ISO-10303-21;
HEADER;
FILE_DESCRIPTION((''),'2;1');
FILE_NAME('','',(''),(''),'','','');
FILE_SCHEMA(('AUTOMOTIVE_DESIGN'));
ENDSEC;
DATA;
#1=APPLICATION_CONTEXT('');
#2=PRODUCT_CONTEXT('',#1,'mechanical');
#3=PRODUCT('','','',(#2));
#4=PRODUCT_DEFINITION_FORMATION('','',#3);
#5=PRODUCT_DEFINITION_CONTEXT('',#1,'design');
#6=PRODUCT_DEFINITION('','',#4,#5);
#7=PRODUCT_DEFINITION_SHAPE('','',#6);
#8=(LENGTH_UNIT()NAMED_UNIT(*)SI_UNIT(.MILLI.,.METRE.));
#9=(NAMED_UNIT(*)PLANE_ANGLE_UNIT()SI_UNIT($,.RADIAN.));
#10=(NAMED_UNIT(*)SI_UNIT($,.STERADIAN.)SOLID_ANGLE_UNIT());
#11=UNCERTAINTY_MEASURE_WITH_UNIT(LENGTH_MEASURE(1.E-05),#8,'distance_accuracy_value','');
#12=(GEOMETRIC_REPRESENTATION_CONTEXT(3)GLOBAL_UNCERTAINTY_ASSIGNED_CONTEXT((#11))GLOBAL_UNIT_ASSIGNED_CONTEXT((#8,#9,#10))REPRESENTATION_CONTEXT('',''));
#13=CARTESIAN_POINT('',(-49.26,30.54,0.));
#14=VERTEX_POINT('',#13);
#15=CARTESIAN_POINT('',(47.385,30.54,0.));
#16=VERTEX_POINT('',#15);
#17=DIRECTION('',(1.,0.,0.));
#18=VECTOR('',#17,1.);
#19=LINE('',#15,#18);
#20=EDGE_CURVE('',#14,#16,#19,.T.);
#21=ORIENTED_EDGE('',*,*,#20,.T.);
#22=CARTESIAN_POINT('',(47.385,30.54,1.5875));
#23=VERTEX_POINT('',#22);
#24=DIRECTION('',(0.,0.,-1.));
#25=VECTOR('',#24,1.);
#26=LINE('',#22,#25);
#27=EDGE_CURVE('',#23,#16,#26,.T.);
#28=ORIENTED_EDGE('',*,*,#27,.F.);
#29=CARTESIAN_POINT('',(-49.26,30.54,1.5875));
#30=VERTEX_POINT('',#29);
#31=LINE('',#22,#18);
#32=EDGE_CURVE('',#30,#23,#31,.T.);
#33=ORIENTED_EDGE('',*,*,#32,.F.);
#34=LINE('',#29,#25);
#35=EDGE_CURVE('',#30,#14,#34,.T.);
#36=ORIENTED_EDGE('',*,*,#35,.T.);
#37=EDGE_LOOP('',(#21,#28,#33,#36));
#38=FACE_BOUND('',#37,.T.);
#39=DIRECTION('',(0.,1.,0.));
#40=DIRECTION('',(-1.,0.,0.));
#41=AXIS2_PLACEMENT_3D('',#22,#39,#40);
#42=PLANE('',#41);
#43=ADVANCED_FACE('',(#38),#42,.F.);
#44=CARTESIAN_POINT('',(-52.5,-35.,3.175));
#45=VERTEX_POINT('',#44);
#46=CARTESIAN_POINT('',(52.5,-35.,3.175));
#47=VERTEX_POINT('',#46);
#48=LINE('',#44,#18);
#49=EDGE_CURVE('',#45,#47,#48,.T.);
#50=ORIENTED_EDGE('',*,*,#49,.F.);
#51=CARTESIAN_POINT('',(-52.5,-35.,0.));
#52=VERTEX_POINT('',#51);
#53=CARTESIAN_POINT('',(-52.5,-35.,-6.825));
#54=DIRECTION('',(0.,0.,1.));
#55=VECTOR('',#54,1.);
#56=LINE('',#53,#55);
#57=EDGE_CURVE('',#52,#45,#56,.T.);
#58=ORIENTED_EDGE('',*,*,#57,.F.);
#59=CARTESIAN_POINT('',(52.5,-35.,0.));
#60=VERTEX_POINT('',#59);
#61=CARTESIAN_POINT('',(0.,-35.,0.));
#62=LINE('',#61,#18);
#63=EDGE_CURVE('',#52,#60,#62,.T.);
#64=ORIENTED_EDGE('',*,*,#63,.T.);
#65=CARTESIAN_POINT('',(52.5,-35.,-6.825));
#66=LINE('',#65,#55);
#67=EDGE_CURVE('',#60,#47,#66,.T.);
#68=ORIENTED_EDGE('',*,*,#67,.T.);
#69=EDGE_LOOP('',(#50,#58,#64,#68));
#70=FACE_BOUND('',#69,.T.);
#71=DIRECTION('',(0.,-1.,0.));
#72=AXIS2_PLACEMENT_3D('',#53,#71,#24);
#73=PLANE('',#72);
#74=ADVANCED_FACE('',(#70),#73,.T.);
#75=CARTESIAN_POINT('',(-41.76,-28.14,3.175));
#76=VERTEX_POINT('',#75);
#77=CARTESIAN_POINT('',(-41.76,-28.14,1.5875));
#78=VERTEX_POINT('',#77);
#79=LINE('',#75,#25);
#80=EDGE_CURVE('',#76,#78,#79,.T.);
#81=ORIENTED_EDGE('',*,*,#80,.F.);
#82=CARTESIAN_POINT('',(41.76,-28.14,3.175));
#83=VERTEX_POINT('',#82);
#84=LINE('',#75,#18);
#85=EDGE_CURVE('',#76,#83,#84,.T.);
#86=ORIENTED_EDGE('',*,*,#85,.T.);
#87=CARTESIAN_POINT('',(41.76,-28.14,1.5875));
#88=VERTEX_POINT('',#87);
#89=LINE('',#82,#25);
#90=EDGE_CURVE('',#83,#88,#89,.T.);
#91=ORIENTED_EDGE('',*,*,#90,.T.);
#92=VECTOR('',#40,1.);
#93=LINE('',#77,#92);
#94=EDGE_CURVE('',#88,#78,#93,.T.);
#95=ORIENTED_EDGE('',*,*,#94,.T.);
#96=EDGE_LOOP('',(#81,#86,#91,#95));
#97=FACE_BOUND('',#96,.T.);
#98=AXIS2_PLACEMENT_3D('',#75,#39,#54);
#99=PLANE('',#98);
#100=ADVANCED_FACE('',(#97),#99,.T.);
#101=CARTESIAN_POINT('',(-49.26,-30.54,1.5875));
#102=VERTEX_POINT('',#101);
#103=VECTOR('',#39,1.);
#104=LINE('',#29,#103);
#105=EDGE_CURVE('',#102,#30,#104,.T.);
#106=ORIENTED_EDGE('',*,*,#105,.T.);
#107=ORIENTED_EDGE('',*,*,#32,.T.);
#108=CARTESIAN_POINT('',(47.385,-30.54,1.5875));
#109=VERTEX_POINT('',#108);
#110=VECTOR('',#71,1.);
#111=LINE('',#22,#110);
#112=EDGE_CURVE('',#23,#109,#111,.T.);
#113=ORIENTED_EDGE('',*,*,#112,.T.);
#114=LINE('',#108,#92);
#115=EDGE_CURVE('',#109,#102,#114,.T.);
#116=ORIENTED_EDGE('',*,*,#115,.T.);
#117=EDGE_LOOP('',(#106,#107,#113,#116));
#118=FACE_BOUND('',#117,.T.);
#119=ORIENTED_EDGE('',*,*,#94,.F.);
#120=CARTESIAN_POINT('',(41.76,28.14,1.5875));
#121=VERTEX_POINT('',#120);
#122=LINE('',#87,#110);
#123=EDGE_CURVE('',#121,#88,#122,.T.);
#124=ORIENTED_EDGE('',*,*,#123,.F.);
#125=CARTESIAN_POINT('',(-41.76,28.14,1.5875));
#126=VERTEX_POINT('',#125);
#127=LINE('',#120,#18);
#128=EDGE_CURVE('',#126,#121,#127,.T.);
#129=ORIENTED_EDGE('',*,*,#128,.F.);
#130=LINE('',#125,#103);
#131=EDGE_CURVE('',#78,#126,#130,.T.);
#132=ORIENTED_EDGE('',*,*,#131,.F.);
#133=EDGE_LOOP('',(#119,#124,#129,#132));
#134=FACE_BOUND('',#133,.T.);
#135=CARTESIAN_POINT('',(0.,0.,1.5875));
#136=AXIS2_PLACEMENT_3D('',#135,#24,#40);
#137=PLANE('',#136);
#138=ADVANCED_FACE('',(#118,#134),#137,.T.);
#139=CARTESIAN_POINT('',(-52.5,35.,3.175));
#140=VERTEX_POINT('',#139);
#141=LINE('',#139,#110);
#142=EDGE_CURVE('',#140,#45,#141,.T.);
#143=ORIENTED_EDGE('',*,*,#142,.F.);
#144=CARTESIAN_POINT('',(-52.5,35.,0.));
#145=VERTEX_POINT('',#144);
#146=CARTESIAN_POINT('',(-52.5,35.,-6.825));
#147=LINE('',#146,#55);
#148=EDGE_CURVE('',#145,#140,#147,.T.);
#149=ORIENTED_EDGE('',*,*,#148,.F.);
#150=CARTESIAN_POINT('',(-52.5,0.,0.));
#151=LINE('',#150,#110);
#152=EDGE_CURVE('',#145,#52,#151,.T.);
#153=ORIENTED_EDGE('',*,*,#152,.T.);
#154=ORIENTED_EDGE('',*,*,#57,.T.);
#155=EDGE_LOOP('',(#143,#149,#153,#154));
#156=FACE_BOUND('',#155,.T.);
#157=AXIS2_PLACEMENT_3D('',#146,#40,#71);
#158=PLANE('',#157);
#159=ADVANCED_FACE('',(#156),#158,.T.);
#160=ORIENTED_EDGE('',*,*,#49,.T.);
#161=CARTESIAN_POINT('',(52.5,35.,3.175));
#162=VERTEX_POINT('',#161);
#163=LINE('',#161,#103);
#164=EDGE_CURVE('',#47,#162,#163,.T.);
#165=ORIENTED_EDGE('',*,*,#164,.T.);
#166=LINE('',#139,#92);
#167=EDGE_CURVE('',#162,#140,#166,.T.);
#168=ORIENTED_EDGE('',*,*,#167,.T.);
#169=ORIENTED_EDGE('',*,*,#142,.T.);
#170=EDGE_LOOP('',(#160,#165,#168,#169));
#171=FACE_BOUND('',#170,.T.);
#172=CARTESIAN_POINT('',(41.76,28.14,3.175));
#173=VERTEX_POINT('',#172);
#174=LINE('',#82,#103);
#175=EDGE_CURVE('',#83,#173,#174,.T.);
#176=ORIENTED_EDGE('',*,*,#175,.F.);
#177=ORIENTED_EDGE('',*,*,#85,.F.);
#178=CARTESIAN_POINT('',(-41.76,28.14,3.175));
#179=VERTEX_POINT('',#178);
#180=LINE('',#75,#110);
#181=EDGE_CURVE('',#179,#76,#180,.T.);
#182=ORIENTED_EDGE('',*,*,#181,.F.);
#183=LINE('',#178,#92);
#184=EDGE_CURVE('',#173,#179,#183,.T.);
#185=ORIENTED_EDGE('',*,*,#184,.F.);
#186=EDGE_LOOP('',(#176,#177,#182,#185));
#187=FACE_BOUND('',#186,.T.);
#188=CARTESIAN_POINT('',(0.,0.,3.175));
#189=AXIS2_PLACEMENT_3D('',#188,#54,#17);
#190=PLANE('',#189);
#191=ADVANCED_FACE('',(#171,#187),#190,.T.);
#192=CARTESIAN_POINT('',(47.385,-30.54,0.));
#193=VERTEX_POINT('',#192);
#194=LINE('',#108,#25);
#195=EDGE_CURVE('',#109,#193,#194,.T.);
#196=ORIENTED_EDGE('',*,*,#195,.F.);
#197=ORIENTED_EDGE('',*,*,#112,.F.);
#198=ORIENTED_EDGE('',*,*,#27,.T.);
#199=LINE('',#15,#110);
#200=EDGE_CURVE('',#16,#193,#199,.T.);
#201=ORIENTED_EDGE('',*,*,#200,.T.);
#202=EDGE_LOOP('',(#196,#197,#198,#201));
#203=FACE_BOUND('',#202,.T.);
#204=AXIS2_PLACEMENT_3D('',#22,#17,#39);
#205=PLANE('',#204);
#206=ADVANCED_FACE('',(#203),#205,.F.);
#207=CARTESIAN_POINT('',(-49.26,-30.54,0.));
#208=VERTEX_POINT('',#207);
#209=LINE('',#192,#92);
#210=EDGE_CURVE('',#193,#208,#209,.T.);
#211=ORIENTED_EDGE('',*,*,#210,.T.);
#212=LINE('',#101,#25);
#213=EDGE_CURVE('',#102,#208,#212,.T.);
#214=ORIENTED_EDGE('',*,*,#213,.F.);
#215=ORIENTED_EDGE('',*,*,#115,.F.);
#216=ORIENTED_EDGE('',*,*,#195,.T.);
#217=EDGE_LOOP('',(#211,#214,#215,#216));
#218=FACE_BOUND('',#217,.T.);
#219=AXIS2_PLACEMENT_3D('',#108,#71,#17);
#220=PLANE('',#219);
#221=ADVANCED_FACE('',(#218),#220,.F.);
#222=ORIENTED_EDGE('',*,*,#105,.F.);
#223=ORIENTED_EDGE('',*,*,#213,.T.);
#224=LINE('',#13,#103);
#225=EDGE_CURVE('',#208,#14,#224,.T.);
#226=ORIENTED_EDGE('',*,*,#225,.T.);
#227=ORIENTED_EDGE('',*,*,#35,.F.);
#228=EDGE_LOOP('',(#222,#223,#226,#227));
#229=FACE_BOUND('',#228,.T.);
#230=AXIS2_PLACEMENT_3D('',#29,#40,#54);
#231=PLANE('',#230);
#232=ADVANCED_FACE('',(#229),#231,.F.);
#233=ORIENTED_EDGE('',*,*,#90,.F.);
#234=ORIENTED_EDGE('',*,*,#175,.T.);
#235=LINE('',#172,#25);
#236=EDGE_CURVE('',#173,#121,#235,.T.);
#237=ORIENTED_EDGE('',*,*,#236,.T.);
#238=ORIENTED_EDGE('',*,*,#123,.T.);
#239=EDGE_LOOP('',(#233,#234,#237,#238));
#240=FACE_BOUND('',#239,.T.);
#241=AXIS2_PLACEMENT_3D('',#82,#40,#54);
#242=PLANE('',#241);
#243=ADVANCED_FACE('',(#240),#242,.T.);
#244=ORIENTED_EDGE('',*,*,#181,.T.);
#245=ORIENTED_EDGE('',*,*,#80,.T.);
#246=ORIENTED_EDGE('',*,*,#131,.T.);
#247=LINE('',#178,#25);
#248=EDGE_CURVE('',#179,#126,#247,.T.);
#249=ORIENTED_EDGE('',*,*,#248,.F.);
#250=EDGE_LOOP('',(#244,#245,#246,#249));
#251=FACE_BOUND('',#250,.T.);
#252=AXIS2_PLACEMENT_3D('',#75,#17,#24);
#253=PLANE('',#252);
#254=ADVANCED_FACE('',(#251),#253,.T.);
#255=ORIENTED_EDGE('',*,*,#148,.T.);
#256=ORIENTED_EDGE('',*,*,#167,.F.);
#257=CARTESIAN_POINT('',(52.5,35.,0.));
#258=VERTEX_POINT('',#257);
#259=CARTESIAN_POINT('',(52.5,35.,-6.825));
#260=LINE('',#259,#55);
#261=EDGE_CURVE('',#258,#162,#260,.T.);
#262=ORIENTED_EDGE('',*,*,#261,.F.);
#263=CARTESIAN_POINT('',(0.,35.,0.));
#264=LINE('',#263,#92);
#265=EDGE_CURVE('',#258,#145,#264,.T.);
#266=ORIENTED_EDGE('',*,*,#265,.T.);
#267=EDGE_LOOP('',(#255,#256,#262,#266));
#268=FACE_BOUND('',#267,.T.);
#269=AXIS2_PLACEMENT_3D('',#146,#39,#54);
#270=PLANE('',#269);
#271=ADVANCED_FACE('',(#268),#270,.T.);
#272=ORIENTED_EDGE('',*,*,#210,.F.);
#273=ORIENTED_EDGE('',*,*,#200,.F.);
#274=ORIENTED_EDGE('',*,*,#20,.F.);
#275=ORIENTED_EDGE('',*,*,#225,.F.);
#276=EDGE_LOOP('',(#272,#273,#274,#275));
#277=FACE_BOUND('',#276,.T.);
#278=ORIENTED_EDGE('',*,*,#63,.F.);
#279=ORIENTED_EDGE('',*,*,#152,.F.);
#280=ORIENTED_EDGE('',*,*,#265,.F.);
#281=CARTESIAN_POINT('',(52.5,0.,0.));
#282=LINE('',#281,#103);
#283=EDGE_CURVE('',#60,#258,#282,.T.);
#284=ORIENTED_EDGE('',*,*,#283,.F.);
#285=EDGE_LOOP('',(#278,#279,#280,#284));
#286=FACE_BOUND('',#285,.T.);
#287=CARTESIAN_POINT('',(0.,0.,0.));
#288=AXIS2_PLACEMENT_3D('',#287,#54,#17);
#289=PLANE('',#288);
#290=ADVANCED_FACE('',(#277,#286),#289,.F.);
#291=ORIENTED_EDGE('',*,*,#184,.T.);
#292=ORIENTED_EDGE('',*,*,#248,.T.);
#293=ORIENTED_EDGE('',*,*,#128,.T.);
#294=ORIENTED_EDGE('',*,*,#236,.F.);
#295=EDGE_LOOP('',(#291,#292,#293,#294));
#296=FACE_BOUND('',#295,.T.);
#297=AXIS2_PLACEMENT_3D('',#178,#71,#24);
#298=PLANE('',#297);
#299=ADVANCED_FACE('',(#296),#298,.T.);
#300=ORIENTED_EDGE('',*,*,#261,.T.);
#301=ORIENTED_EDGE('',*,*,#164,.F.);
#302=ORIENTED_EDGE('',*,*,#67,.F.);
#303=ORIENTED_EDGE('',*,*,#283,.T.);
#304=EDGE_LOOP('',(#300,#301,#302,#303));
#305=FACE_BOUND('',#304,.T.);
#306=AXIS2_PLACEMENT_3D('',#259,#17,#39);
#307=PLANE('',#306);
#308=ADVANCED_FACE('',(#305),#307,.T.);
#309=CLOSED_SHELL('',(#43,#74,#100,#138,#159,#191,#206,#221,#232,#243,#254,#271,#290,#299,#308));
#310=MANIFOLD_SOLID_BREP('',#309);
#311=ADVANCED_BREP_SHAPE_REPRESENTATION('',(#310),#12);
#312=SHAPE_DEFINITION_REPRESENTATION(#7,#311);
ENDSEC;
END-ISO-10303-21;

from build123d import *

# Parameters (mm, degrees)
SKETCH1_W           = 113.52
SKETCH1_H           = 111.28
SKETCH1_R           = 8.5
SKETCH1_W_2         = 6
SKETCH1_H_2         = 5.8
SKETCH1_W_3         = 83.52
SKETCH1_H_3         = 56.28
BOSS_EXTRUDE1_DEPTH = 3.175
SKETCH3_W           = 96.645
SKETCH3_H           = 61.08
SKETCH3_W_2         = 83.52
SKETCH3_H_2         = 56.28
CUT_EXTRUDE1_DEPTH  = 1.5875
SKETCH4_W           = 113.52
SKETCH4_H           = 111.28
SKETCH4_W_2         = 105
SKETCH4_H_2         = 70
CUT_EXTRUDE2_DEPTH  = 10


with BuildPart() as part:
    # Sketch1 → Boss-Extrude1 (new body)
    with BuildSketch(Plane.XY):
        with Locations((0, -12.5)):
            Rectangle(SKETCH1_W, SKETCH1_H)
        with Locations((-41.76, -53.14)):
            Circle(SKETCH1_R, mode=Mode.SUBTRACT)
        with Locations((41.76, -53.14)):
            Circle(SKETCH1_R, mode=Mode.SUBTRACT)
        with Locations((-7.5, -53.14)):
            Rectangle(SKETCH1_W_2, SKETCH1_H_2, mode=Mode.SUBTRACT)
        Rectangle(SKETCH1_W_3, SKETCH1_H_3, mode=Mode.SUBTRACT)
        with Locations((-22.5, -53.14)):
            Rectangle(SKETCH1_W_2, SKETCH1_H_2, mode=Mode.SUBTRACT)
        with Locations((7.5, -53.14)):
            Rectangle(SKETCH1_W_2, SKETCH1_H_2, mode=Mode.SUBTRACT)
        with Locations((22.5, -53.14)):
            Rectangle(SKETCH1_W_2, SKETCH1_H_2, mode=Mode.SUBTRACT)
    extrude(amount=BOSS_EXTRUDE1_DEPTH)

    # Sketch3 → Cut-Extrude1 (cut)
    with BuildSketch(Plane(origin=(0, 0, 0), x_dir=(-1, 0, 0), z_dir=(0, 0, -1))):
        with Locations((0.9375, 0)):
            Rectangle(SKETCH3_W, SKETCH3_H)
        Rectangle(SKETCH3_W_2, SKETCH3_H_2, mode=Mode.SUBTRACT)
    extrude(amount=-CUT_EXTRUDE1_DEPTH, mode=Mode.SUBTRACT)

    # Sketch4 → Cut-Extrude2 (cut)
    with BuildSketch(Plane.XY.offset(3.175)):
        with Locations((0, -12.5)):
            Rectangle(SKETCH4_W, SKETCH4_H)
        Rectangle(SKETCH4_W_2, SKETCH4_H_2, mode=Mode.SUBTRACT)
    extrude(amount=-CUT_EXTRUDE2_DEPTH, mode=Mode.SUBTRACT)


solid = part.part
